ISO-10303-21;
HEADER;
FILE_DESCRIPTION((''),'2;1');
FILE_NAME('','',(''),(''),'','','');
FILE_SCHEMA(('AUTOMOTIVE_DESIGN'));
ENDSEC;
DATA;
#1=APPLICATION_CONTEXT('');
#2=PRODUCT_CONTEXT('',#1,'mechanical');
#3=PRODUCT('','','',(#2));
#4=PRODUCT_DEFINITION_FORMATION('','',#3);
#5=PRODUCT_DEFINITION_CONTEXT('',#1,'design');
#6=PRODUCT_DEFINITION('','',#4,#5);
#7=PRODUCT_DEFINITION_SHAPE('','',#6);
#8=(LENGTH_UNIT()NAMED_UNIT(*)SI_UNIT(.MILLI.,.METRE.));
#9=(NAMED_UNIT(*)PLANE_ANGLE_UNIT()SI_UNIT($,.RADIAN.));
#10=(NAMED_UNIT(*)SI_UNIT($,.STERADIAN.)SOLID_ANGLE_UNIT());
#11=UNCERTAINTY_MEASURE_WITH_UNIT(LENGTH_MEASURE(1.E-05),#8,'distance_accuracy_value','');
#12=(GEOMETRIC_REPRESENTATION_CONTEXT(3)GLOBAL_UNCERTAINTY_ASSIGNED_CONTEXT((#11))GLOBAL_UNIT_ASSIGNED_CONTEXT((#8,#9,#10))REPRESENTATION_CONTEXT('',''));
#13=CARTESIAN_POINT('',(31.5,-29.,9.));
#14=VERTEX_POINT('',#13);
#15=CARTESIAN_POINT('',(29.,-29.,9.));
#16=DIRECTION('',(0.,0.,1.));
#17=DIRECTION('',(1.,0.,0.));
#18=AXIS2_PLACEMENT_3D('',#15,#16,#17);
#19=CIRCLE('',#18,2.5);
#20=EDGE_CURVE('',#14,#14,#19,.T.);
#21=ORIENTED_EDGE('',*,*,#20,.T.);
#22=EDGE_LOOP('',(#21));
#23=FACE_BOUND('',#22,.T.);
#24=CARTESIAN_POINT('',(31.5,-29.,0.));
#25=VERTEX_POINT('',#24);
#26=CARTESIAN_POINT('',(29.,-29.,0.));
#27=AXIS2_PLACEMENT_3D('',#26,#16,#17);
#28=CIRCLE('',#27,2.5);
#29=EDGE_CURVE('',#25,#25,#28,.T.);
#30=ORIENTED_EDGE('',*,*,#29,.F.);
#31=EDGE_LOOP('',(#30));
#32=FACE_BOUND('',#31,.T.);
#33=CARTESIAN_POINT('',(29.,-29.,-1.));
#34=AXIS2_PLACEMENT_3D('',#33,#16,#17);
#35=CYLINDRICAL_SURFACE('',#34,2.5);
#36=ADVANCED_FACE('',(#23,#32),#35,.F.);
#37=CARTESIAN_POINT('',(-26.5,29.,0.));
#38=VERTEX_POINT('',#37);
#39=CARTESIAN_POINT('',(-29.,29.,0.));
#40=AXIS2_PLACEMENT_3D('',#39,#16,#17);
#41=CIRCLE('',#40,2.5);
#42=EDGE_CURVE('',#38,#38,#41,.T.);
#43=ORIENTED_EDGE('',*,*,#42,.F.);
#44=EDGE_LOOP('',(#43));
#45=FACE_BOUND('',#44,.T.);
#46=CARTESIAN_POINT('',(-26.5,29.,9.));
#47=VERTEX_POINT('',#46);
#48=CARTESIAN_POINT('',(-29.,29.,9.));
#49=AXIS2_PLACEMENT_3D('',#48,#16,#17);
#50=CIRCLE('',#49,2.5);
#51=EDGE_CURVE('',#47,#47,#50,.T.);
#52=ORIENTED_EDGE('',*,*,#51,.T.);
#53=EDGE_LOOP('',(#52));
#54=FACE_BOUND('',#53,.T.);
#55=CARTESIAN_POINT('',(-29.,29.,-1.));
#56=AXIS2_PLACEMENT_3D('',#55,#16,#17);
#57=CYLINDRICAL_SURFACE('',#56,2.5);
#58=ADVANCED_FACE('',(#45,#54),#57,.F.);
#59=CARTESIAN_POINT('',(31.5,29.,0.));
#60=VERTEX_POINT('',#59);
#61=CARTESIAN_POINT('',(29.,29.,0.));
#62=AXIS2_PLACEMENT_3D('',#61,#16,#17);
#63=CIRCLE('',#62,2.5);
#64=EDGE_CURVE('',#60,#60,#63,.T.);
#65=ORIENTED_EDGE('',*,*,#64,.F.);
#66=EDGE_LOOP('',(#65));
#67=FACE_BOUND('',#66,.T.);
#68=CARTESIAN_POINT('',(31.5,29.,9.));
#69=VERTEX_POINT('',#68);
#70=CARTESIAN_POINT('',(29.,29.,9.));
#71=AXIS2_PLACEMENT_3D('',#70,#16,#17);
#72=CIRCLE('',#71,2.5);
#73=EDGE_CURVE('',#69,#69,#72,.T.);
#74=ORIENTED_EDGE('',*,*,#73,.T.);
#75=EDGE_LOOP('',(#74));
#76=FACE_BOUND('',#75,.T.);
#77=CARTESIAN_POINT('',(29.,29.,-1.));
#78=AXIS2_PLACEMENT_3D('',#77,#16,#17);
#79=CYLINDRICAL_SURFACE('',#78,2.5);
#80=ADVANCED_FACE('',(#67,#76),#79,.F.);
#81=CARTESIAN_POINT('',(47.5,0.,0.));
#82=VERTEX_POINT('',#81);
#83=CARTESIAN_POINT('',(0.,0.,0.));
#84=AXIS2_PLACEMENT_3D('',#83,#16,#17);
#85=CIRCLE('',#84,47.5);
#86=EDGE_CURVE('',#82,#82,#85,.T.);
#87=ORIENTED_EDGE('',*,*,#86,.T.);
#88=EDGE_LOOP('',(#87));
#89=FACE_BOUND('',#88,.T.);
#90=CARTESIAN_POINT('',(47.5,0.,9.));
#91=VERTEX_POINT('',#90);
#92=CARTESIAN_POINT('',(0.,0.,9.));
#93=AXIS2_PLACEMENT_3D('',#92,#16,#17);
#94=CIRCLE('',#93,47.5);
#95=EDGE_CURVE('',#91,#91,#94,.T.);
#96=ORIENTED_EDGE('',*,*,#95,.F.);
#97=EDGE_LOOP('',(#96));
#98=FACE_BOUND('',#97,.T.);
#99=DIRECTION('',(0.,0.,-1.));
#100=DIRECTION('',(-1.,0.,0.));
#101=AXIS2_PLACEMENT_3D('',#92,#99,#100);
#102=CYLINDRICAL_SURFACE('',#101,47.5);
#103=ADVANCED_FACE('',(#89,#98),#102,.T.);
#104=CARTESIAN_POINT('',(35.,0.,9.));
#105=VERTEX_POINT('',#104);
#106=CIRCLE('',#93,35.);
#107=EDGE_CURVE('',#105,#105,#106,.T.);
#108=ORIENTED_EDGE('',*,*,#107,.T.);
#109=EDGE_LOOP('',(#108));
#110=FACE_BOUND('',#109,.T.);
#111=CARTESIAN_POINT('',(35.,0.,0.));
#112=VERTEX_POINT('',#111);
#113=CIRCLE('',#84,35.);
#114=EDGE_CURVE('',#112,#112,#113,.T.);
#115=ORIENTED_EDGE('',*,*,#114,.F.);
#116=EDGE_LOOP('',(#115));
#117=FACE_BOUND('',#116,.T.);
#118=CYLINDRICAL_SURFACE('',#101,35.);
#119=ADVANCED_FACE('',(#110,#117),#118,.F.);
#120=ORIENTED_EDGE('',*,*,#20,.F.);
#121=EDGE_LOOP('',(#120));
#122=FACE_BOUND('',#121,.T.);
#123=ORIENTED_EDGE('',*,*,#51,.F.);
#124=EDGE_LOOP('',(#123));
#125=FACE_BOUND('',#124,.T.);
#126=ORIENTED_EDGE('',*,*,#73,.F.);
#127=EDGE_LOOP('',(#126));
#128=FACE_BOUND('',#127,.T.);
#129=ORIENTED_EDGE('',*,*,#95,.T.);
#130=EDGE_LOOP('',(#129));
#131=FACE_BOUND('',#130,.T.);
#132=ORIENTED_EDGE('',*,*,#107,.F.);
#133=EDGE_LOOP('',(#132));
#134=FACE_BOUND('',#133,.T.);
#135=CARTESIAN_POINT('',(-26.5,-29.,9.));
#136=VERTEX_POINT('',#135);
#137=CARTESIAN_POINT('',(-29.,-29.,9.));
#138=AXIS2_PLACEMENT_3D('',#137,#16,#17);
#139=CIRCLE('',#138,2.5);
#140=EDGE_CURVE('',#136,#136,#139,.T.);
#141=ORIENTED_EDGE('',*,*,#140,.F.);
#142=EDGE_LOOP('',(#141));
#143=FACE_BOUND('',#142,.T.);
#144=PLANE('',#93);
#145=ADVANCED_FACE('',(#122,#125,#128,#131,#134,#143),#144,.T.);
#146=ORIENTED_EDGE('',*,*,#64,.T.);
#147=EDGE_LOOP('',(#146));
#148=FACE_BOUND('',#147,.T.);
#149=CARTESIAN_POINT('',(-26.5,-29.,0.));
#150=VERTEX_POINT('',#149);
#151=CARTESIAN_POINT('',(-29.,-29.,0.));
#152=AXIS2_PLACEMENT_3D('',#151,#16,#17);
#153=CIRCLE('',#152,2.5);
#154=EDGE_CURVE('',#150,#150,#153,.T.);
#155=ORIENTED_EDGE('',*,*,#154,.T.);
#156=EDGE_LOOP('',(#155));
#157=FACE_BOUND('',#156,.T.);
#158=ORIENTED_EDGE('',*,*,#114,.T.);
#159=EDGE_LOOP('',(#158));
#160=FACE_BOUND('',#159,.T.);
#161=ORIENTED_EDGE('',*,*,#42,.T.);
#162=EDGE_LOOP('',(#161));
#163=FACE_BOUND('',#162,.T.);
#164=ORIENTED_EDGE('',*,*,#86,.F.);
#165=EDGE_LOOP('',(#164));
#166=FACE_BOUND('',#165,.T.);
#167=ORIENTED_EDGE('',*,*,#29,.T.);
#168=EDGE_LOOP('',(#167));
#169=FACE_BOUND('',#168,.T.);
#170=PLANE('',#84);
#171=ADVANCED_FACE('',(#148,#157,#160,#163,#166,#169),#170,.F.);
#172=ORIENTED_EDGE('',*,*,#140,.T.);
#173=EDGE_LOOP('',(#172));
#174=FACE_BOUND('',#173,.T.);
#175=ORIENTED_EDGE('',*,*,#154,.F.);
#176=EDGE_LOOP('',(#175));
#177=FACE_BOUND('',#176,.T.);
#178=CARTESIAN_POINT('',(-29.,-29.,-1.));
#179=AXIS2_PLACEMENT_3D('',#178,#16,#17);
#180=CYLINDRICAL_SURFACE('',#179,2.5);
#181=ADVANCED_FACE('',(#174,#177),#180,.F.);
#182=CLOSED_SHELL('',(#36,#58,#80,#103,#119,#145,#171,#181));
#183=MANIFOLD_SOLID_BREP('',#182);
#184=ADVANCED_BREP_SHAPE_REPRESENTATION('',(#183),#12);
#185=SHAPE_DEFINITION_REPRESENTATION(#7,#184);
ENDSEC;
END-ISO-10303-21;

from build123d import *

# Parameters (mm, degrees)
SKETCH_1_R          = 47.5
SKETCH_1_R_2        = 35
EXTRUDE_1_DEPTH     = 9
SKETCH_2_R          = 2.5
CUT_EXTRUDE_1_DEPTH = 10


with BuildPart() as part:
    # 草图1 → 凸台-拉伸1 (new body)
    with BuildSketch(Plane.XY):
        Circle(SKETCH_1_R)
        Circle(SKETCH_1_R_2, mode=Mode.SUBTRACT)
    extrude(amount=EXTRUDE_1_DEPTH)

    # 草图2 → 切除-拉伸1 (cut)
    with BuildSketch(Plane.XY.offset(9)):
        with Locations((29, 29)):
            Circle(SKETCH_2_R)
        with Locations((29, -29)):
            Circle(SKETCH_2_R)
        with Locations((-29, -29)):
            Circle(SKETCH_2_R)
        with Locations((-29, 29)):
            Circle(SKETCH_2_R)
    extrude(amount=-CUT_EXTRUDE_1_DEPTH, mode=Mode.SUBTRACT)


solid = part.part
